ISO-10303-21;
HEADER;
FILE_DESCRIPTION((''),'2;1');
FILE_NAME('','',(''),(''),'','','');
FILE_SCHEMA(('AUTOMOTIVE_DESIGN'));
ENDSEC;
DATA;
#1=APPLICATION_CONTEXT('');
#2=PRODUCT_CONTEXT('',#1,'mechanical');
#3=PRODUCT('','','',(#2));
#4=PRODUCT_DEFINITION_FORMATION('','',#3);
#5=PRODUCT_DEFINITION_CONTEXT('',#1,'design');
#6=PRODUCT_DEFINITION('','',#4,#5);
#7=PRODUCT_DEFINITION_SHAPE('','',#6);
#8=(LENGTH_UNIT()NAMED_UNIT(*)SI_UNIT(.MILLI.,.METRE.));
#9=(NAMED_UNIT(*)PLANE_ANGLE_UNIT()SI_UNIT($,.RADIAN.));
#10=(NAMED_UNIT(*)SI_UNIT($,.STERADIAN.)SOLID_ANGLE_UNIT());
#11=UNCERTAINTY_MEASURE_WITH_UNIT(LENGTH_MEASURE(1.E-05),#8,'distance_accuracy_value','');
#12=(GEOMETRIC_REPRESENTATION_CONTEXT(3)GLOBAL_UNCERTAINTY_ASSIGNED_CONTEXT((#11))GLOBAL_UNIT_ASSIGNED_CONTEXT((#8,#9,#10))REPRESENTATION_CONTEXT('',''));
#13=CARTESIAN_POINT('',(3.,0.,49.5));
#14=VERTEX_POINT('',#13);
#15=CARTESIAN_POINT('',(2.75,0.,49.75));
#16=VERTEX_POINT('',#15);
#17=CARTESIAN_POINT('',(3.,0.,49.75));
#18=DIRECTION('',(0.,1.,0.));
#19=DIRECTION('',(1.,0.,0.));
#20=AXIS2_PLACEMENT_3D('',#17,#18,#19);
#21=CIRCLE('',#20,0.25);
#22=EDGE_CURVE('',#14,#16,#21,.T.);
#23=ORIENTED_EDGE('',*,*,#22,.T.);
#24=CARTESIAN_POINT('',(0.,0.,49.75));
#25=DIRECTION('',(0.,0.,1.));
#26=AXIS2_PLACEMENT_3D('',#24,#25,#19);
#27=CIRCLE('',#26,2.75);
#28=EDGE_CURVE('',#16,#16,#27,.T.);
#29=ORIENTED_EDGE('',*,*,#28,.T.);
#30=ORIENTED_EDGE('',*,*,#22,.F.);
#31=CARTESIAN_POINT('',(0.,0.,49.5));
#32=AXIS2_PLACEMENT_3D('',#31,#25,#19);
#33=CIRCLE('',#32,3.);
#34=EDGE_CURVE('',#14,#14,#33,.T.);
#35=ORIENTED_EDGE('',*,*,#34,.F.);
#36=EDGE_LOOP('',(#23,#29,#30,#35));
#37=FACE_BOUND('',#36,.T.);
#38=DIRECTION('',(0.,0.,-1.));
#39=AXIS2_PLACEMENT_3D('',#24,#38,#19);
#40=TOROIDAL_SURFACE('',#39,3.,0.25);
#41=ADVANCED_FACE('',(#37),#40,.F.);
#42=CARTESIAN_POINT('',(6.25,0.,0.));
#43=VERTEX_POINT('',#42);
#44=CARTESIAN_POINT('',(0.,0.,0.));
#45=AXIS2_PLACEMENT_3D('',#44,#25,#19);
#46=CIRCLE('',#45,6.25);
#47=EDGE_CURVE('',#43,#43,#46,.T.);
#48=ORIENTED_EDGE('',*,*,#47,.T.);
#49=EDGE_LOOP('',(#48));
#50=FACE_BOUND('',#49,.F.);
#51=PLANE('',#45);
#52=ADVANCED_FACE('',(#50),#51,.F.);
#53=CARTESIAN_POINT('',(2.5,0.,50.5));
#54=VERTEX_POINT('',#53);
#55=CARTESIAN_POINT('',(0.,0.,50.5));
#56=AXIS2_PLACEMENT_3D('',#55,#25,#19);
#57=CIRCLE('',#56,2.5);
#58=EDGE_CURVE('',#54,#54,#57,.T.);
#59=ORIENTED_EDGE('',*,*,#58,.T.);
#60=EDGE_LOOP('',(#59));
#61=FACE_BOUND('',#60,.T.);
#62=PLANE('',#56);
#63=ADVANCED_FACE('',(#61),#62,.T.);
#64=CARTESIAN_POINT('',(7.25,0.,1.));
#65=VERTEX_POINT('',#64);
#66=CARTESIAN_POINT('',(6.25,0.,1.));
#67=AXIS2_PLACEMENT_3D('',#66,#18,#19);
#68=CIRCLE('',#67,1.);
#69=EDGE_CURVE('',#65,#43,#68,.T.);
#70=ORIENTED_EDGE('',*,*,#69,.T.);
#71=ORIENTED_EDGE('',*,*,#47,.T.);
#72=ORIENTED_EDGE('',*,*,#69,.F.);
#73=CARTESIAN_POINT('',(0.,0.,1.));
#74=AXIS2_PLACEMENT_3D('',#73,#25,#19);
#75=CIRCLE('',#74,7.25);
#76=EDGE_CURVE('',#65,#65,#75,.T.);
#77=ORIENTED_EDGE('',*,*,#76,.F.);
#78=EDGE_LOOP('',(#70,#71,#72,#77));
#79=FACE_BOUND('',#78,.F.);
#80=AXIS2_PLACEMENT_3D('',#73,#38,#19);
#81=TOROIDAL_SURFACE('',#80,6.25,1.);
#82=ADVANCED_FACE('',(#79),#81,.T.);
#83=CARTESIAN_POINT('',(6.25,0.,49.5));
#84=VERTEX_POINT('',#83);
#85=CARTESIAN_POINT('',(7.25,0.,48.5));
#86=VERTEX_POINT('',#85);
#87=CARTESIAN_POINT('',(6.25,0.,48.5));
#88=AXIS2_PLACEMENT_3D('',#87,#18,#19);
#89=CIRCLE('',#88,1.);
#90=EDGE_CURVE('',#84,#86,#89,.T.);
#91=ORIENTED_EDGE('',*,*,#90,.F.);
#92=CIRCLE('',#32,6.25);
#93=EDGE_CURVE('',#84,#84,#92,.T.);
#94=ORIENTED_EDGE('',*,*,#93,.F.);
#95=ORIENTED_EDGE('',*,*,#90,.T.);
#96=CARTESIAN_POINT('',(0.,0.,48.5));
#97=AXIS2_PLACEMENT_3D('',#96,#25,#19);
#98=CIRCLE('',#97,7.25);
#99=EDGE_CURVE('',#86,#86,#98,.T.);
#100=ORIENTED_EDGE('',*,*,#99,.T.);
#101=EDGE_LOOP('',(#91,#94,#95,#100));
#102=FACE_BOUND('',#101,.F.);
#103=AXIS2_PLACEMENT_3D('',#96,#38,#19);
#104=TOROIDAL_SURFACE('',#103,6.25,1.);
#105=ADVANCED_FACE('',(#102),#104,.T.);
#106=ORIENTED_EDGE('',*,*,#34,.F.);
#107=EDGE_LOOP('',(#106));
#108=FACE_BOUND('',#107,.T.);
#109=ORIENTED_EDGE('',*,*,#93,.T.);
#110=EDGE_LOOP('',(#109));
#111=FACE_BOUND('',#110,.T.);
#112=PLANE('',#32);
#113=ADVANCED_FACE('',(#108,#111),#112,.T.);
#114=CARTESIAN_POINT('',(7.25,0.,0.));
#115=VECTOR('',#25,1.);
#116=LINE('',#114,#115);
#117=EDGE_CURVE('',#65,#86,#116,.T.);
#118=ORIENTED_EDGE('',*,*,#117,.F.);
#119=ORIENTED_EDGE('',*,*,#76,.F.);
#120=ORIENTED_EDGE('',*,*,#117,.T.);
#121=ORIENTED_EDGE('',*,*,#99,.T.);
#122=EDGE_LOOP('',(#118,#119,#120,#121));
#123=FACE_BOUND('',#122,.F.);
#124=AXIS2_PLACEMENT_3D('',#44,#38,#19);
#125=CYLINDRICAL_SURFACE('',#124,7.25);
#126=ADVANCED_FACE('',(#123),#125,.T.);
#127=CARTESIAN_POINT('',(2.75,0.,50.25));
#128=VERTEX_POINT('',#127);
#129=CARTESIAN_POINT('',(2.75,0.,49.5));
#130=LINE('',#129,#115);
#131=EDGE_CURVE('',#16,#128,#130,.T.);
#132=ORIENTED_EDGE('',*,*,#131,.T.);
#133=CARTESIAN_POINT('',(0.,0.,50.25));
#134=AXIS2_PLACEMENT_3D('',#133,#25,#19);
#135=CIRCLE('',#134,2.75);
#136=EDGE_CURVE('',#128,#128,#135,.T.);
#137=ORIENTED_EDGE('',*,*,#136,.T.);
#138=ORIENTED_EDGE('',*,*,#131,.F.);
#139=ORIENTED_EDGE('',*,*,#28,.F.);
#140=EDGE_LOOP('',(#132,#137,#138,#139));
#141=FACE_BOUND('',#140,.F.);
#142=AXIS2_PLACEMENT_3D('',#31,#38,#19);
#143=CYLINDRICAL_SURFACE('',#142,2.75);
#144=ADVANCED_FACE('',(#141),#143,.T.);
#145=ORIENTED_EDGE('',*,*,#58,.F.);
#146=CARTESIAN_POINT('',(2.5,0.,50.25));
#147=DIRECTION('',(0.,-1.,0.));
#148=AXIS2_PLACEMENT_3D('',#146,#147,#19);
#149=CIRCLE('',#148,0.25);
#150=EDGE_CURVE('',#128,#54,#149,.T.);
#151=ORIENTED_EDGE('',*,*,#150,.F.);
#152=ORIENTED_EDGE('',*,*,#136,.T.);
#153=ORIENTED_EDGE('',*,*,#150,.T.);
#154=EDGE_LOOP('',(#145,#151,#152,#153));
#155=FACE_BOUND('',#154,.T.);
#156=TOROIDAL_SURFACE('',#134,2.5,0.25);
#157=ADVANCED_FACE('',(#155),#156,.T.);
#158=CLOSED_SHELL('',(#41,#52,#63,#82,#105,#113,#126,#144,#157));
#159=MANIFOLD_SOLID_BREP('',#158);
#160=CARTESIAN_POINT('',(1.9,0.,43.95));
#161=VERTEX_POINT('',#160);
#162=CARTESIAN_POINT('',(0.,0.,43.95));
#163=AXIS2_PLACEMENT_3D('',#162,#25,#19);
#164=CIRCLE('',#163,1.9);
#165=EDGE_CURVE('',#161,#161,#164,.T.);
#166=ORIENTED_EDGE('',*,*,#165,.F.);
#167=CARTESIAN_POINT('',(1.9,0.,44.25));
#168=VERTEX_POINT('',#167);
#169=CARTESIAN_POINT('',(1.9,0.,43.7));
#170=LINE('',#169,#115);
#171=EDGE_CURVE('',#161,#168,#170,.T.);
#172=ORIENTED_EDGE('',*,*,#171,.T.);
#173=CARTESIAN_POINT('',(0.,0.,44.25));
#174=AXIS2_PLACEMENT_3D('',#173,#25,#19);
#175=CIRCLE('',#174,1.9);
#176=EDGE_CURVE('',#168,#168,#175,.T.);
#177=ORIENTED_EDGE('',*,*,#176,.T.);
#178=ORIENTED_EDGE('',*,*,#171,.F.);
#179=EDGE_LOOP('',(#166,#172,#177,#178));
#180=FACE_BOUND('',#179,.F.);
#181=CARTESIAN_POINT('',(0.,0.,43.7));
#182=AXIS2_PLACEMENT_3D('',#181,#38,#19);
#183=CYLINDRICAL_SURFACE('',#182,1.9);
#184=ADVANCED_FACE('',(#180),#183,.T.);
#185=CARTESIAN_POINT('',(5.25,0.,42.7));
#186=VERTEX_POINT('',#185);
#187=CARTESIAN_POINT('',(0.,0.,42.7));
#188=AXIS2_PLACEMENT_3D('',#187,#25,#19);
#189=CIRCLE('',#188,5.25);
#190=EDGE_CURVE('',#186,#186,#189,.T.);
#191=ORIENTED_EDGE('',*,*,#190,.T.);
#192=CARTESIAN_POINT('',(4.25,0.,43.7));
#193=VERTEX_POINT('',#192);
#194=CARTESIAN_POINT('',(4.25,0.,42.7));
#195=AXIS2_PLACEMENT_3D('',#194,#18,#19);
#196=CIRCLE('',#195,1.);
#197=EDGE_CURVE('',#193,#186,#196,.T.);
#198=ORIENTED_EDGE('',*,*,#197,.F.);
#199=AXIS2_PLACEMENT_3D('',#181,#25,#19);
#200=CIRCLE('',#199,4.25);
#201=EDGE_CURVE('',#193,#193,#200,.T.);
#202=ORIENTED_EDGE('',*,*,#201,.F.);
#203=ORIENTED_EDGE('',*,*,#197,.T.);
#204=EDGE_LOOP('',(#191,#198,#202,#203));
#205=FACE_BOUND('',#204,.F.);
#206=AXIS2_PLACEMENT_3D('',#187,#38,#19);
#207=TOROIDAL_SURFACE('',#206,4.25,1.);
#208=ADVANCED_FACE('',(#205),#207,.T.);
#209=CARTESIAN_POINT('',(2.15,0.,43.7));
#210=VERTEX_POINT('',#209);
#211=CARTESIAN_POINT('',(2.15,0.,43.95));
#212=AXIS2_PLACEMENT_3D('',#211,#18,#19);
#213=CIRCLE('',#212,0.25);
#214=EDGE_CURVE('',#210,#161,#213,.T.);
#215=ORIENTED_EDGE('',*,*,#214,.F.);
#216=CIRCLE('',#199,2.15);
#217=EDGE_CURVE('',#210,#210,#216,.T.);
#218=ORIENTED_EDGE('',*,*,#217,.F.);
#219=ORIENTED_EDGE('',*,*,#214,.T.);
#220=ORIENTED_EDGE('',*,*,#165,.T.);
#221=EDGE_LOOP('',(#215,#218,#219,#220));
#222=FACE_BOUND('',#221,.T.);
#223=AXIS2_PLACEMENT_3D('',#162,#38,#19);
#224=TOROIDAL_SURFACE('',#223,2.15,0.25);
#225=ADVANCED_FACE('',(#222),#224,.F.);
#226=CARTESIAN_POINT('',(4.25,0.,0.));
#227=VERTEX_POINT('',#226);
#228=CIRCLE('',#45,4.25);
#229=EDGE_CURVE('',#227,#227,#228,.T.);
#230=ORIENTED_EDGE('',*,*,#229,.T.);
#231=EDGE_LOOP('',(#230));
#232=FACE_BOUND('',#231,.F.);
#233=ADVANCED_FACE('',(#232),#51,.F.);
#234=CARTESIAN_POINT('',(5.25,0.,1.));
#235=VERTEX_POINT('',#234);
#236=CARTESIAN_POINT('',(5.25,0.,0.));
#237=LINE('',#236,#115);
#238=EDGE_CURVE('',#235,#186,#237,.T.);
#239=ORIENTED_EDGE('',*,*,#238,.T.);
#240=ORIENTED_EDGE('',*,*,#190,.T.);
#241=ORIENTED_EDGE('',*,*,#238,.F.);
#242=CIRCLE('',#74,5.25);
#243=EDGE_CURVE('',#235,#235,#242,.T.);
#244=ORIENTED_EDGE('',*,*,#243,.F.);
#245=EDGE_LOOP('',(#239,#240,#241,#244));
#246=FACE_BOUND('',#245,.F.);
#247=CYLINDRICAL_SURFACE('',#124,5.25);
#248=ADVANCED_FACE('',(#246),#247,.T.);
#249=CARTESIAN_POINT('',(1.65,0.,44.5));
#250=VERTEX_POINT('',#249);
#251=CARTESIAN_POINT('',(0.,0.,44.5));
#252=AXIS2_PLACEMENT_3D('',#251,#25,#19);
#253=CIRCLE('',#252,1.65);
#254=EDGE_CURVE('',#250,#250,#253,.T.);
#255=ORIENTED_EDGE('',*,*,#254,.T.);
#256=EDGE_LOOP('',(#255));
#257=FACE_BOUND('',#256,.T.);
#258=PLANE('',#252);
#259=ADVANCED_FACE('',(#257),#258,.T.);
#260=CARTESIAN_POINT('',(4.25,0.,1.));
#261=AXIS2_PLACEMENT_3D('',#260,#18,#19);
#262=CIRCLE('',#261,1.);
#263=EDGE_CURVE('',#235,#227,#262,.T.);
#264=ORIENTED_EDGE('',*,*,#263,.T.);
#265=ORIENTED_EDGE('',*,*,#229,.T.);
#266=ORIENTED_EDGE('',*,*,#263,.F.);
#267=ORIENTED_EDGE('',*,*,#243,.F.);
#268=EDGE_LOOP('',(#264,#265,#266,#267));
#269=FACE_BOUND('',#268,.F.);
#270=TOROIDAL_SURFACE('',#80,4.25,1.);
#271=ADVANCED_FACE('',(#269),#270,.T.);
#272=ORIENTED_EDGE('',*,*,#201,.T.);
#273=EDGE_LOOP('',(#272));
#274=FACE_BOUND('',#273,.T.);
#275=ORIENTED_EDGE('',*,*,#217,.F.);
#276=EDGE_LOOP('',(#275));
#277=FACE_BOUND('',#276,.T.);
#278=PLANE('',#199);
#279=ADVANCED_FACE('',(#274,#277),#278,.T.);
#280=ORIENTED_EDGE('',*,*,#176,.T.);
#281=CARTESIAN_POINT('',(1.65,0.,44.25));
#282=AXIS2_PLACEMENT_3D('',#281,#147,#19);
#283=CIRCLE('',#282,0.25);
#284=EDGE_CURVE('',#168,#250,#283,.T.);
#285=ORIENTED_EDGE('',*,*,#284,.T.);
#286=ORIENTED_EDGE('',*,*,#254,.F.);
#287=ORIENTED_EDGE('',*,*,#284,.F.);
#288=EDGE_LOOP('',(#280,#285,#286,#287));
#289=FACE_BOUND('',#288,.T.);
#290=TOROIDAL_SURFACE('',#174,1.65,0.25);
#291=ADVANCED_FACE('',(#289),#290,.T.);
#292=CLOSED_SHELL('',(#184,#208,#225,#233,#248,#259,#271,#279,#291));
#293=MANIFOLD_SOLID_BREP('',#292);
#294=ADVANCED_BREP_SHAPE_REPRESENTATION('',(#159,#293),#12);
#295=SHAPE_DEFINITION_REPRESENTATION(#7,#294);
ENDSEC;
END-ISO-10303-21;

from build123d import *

# Parameters (mm, degrees)
F0_R     = 5.25
F1_DEPTH = 43.7
F2_R     = 1.9
F3_DEPTH = 0.8
F4_R     = 0.25
F5_R     = 1
F6_R     = 7.25
F7_DEPTH = 49.5
F8_R     = 2.75
F9_DEPTH = 1
F10_R    = 0.25
F11_R    = 1


with BuildPart() as f1:
    # F0 (on Top) → F1 (new body)
    with BuildSketch(Plane.XY):
        Circle(F0_R)
    extrude(amount=F1_DEPTH)

    # F2 (on face) → F3 (join)
    with BuildSketch(Plane.XY.offset(43.7)):
        Circle(F2_R)
    extrude(amount=F3_DEPTH)

    # F4
    f4_edges = [f1.edges().sort_by_distance(p)[0] for p in [
        (-1.9, 0, 43.7),
        (-1.9, 0, 44.5),
    ]]
    fillet(f4_edges, radius=F4_R)

    # F5
    f5_edges = [f1.edges().sort_by_distance(p)[0] for p in [
        (-5.25, 0, 43.7),
        (-5.25, 0, 0),
    ]]
    fillet(f5_edges, radius=F5_R)


with BuildPart() as f7:
    # F6 (on Top) → F7 (new body)
    with BuildSketch(Plane.XY):
        Circle(F6_R)
    extrude(amount=F7_DEPTH)

    # F8 (on face) → F9 (join)
    with BuildSketch(Plane.XY.offset(49.5)):
        Circle(F8_R)
    extrude(amount=F9_DEPTH)

    # F10
    f10_edges = [f7.edges().sort_by_distance(p)[0] for p in [
        (-2.75, 0, 50.5),
        (-2.75, 0, 49.5),
    ]]
    fillet(f10_edges, radius=F10_R)

    # F11
    f11_edges = [f7.edges().sort_by_distance(p)[0] for p in [
        (-7.25, 0, 49.5),
        (-7.25, 0, 0),
    ]]
    fillet(f11_edges, radius=F11_R)


solid = Compound([f1.part, f7.part])
